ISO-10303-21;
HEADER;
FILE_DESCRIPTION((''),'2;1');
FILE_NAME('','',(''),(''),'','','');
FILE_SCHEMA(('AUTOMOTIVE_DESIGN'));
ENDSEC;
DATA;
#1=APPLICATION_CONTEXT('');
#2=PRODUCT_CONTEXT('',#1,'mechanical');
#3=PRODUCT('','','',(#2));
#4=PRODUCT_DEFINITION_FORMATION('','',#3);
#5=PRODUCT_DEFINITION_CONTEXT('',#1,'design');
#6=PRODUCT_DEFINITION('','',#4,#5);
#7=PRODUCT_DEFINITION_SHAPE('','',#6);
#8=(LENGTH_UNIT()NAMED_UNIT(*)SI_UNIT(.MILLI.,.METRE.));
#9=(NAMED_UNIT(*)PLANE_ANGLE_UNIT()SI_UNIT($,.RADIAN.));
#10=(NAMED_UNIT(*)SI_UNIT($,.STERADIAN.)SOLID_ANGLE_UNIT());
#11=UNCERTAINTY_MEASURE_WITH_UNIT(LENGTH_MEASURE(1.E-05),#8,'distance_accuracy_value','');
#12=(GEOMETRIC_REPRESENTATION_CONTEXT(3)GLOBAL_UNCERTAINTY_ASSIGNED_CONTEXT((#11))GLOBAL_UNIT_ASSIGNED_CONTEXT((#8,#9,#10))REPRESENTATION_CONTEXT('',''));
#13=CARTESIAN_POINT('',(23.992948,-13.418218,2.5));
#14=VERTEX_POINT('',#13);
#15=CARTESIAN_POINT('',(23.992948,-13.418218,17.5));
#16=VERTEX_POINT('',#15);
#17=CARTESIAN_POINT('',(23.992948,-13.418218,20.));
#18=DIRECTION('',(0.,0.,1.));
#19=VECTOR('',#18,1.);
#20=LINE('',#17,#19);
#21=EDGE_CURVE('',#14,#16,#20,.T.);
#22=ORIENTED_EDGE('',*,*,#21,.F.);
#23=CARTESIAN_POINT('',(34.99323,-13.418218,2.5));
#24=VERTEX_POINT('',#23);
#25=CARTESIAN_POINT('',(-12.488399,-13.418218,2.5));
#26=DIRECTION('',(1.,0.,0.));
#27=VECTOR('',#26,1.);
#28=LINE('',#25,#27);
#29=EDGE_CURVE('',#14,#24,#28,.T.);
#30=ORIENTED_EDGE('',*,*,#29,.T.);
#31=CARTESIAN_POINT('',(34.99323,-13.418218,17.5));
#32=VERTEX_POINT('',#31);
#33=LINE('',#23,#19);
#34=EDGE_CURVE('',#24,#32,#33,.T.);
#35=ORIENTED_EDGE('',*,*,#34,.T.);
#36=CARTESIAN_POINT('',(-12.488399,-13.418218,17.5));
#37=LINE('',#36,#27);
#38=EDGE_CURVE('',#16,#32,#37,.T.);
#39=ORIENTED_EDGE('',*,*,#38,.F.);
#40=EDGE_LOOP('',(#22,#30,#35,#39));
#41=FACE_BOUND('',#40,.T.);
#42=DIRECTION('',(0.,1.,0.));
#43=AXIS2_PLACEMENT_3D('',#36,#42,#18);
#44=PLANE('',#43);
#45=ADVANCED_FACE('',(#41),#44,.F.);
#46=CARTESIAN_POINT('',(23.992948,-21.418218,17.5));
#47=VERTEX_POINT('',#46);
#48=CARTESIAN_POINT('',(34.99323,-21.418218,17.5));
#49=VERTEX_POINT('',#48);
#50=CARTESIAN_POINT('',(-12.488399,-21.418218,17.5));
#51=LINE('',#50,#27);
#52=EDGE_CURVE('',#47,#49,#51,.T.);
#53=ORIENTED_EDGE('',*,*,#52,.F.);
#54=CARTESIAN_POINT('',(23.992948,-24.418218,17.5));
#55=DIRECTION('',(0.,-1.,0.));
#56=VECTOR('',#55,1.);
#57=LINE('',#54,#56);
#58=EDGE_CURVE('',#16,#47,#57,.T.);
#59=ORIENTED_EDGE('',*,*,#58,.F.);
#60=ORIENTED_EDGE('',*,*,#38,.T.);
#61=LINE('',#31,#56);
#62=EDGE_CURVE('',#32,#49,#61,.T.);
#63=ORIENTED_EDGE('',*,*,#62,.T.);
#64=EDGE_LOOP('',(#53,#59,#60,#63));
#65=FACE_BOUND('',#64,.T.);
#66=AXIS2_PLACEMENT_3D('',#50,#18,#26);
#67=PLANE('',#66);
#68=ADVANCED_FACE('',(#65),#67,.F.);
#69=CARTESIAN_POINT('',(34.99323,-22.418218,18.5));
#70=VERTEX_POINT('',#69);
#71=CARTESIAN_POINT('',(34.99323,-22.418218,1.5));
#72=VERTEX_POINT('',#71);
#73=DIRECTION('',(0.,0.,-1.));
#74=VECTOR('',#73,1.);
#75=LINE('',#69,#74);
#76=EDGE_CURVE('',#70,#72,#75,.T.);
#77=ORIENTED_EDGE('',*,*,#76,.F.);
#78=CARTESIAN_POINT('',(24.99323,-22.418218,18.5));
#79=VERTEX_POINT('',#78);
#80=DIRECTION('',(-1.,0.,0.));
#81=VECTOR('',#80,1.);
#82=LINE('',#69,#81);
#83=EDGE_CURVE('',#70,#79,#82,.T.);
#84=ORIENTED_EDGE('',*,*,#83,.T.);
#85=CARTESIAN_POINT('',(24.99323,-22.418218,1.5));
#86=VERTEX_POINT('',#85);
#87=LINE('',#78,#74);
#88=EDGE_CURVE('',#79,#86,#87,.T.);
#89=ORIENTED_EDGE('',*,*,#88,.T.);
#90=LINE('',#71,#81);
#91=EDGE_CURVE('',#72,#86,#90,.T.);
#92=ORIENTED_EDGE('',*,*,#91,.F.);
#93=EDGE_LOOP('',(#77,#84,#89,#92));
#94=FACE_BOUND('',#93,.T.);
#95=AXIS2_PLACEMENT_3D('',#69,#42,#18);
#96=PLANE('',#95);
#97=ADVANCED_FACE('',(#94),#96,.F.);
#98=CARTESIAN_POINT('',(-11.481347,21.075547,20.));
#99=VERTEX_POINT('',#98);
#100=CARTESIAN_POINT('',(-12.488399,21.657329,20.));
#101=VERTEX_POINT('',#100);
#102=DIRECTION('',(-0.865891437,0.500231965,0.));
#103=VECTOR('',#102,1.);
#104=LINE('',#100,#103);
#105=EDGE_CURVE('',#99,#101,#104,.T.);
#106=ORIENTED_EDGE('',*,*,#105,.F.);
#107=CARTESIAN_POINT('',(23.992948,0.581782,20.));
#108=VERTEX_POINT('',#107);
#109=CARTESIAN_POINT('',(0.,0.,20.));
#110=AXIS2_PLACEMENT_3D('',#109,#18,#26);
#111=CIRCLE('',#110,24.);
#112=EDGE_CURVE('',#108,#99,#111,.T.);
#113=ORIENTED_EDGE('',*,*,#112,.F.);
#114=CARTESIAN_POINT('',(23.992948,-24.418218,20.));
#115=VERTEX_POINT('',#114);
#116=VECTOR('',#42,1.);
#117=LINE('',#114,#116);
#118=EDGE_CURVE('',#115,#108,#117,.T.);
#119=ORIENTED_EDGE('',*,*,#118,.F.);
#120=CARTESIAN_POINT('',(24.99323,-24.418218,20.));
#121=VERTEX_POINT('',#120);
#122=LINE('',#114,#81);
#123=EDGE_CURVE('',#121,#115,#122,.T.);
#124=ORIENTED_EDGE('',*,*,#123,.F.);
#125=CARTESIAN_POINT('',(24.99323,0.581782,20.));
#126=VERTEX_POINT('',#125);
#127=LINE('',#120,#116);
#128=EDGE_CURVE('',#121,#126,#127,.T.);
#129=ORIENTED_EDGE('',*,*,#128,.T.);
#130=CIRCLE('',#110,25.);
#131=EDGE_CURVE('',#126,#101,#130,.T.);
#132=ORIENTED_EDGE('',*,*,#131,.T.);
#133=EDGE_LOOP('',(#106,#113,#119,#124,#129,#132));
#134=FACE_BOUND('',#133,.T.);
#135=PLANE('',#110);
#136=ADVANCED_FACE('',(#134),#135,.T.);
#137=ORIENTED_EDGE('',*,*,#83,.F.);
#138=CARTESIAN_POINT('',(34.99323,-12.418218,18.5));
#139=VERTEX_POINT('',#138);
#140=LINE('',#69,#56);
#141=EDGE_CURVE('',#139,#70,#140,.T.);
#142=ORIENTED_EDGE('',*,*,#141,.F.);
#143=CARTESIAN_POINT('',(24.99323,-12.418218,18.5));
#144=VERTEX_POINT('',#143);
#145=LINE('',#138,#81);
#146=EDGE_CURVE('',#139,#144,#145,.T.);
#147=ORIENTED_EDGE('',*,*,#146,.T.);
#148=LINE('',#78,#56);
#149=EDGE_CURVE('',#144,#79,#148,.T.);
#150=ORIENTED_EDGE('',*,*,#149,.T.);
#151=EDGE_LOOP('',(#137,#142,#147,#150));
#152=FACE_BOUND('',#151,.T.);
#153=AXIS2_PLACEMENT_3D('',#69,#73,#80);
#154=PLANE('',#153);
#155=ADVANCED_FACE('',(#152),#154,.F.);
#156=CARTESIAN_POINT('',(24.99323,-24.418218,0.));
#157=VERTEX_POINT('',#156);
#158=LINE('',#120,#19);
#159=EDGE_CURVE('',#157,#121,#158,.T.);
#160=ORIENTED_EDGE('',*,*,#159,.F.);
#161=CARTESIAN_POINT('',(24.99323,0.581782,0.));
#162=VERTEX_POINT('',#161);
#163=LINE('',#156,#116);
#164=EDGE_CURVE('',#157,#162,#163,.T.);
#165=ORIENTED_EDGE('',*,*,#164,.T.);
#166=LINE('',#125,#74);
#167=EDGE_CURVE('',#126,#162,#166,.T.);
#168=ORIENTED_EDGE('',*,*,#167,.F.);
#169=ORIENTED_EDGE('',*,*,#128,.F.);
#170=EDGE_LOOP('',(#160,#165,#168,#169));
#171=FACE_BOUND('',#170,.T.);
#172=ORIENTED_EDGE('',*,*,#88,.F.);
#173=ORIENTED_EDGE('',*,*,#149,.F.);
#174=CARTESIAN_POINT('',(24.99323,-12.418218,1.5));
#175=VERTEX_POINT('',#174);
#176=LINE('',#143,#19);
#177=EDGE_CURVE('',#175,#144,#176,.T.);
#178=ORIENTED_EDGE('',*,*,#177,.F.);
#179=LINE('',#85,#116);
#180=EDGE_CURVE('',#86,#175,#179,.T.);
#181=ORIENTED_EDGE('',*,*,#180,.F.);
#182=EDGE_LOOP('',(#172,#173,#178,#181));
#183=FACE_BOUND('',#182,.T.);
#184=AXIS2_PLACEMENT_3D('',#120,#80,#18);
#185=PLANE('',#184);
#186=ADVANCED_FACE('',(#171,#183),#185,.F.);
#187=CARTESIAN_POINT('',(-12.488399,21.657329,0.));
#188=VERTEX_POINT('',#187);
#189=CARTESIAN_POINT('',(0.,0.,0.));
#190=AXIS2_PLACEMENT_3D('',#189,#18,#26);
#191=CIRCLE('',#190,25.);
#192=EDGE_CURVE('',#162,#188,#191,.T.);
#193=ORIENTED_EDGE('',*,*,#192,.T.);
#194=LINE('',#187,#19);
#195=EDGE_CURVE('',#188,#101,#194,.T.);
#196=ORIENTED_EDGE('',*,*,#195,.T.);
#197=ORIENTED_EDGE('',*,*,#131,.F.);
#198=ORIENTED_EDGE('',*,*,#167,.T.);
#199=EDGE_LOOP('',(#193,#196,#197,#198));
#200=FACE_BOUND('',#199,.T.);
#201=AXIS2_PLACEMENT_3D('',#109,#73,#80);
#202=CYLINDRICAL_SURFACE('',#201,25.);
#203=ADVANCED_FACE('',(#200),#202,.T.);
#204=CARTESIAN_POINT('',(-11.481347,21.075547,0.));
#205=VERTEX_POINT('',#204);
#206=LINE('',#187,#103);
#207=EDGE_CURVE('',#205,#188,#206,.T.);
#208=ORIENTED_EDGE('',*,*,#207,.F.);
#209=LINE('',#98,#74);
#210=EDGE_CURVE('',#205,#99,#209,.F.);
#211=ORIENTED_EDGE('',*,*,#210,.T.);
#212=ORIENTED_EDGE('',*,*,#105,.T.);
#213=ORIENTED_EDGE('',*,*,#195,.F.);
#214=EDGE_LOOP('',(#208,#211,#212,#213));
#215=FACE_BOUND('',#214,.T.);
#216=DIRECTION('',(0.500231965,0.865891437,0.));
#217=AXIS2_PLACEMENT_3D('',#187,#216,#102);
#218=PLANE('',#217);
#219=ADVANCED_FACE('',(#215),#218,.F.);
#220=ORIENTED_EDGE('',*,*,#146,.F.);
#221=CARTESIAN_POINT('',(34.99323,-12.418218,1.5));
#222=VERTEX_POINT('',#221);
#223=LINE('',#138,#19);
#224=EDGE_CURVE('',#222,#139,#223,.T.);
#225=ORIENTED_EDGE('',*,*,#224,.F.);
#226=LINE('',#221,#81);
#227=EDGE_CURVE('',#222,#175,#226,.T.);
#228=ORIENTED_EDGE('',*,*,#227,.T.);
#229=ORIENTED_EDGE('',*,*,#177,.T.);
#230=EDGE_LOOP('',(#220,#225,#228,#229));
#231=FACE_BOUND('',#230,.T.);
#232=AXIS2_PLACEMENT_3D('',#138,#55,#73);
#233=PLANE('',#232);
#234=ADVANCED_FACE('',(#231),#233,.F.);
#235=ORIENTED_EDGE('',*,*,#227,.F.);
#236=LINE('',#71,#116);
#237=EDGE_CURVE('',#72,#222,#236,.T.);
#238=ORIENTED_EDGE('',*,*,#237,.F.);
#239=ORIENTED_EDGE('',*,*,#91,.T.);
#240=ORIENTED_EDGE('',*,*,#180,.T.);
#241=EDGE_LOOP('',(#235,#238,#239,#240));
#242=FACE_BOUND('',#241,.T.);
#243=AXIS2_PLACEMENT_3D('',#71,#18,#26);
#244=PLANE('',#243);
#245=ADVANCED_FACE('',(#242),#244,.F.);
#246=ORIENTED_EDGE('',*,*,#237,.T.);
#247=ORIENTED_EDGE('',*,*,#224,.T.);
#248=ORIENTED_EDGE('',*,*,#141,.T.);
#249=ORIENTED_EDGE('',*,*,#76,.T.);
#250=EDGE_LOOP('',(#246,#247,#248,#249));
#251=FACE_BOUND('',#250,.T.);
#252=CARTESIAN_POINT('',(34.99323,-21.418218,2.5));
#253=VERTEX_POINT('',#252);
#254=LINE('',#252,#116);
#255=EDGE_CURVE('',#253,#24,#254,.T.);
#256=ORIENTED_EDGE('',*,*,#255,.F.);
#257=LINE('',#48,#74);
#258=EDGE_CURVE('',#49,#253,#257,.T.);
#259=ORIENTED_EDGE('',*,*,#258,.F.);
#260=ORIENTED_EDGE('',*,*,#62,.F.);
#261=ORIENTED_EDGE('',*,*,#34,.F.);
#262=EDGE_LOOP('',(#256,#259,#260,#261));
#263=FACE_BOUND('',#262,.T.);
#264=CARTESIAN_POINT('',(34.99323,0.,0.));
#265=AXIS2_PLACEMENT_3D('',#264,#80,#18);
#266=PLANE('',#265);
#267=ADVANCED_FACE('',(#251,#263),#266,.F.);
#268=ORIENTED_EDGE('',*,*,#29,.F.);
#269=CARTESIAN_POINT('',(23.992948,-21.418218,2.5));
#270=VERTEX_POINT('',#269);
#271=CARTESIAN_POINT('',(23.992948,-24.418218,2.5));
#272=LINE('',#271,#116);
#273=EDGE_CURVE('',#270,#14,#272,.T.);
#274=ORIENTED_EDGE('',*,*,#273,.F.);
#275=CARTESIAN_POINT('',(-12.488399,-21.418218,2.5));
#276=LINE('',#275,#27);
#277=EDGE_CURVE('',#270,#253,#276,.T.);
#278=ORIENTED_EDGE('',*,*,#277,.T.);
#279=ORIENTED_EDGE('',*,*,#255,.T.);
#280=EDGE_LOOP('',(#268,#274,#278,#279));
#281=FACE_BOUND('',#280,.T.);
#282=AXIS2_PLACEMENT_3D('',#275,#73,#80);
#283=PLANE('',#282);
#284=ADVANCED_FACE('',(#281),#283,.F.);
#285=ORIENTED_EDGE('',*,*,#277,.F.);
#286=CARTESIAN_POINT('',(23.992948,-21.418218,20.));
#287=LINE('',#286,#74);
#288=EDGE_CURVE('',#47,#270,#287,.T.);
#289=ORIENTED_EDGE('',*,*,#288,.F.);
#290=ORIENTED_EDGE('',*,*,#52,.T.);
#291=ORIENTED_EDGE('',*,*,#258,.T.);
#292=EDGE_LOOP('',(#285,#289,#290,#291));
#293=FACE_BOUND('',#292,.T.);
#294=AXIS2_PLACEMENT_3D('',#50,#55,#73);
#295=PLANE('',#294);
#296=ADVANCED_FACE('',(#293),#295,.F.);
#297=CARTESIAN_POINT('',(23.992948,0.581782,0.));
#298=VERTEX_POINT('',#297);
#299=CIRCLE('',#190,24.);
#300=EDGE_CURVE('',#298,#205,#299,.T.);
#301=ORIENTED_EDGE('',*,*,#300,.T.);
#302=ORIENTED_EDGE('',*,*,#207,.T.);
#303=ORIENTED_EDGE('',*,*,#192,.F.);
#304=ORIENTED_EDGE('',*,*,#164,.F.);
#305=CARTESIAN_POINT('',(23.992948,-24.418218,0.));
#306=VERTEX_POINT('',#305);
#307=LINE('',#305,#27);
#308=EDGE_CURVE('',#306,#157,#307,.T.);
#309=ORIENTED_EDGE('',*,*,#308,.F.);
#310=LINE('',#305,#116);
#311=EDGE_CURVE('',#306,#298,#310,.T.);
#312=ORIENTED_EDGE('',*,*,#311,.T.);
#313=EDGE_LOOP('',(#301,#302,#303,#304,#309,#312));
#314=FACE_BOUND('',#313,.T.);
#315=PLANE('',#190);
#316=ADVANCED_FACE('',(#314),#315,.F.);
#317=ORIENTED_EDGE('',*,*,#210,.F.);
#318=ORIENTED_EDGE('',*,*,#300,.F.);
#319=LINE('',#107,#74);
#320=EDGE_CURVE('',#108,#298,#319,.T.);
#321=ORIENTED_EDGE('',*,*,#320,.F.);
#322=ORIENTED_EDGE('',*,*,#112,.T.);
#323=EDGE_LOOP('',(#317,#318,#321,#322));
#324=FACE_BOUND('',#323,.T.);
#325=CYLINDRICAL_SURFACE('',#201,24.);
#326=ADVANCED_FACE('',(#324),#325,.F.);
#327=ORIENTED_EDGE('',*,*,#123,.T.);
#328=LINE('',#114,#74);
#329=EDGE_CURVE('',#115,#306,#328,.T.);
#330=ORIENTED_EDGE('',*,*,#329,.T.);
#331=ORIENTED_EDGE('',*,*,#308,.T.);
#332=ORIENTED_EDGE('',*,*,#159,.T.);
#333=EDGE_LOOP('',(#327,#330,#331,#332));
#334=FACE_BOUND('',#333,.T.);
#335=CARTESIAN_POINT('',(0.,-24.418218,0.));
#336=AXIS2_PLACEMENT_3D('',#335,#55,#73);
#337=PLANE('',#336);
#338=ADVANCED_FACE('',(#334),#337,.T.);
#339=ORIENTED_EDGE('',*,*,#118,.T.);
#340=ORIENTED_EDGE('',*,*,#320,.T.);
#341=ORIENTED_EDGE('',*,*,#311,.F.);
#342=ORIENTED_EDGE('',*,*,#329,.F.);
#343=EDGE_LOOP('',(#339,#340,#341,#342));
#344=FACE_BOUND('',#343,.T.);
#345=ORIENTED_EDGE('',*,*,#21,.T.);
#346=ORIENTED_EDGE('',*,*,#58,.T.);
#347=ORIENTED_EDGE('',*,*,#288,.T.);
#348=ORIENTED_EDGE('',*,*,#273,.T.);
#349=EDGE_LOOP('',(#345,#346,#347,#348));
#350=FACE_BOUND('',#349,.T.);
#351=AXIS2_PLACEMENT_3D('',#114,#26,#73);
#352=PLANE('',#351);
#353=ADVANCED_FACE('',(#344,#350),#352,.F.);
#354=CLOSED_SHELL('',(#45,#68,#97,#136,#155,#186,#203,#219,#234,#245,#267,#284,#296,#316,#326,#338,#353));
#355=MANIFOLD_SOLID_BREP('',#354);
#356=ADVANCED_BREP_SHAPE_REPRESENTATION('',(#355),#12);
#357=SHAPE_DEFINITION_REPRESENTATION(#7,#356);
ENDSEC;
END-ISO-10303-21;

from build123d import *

# Parameters (mm, degrees)
SKETCH2_R           = 25
SKETCH2_R_2         = 24
BOSS_EXTRUDE1_DEPTH = 20
CUT_EXTRUDE1_DEPTH  = 21
SKETCH4_W           = 1.280900959
SKETCH4_H           = 0.727497166
CUT_EXTRUDE2_DEPTH  = 21
SKETCH5_W           = 1.000282178
SKETCH5_H           = 20
BOSS_EXTRUDE2_DEPTH = 25
SKETCH6_W           = 15
SKETCH6_H           = 8
CUT_EXTRUDE3_DEPTH  = 38.481628733
SKETCH7_W           = 17
SKETCH7_H           = 10
SKETCH7_W_2         = 15
SKETCH7_H_2         = 8
BOSS_EXTRUDE3_DEPTH = 10


with BuildPart() as part:
    # Sketch2 → Boss-Extrude1 (new body)
    with BuildSketch(Plane.XY):
        Circle(SKETCH2_R)
        Circle(SKETCH2_R_2, mode=Mode.SUBTRACT)
    extrude(amount=BOSS_EXTRUDE1_DEPTH)

    # Sketch3 → Cut-Extrude1 (cut, through all)
    with BuildSketch(Plane.XY.offset(20)):
        Polygon((-12.48839905, 21.657328764), (25, 0), (47.90060784, -51.20755357), (-94.197848054, -17.737254368), align=None)
    extrude(amount=-CUT_EXTRUDE1_DEPTH, mode=Mode.SUBTRACT)

    # Sketch4 → Cut-Extrude2 (cut, through all)
    with BuildSketch(Plane.XY.offset(20)):
        with Locations((24.633397985, 0.218033182)):
            Rectangle(SKETCH4_W, SKETCH4_H)
    extrude(amount=-CUT_EXTRUDE2_DEPTH, mode=Mode.SUBTRACT)

    # Sketch5 → Boss-Extrude2 (add)
    with BuildSketch(Plane.XZ.offset(-0.581781765)):
        with Locations((24.493088594, 10)):
            Rectangle(SKETCH5_W, SKETCH5_H)
    extrude(amount=BOSS_EXTRUDE2_DEPTH)

    # Sketch6 → Cut-Extrude3 (cut, through all)
    with BuildSketch(Plane(origin=(24.993229683, 0, 0), x_dir=(0, 0, -1), z_dir=(1, 0, 0))):
        with Locations((-10, -17.418218235)):
            Rectangle(SKETCH6_W, SKETCH6_H)
    extrude(amount=-CUT_EXTRUDE3_DEPTH, mode=Mode.SUBTRACT)

    # Sketch7 → Boss-Extrude3 (add)
    with BuildSketch(Plane(origin=(24.993229683, 0, 0), x_dir=(0, 0, -1), z_dir=(1, 0, 0))):
        with Locations((-10, -17.418218235)):
            Rectangle(SKETCH7_W, SKETCH7_H)
        with Locations((-10, -17.418218235)):
            Rectangle(SKETCH7_W_2, SKETCH7_H_2, mode=Mode.SUBTRACT)
    extrude(amount=BOSS_EXTRUDE3_DEPTH)


solid = part.part
